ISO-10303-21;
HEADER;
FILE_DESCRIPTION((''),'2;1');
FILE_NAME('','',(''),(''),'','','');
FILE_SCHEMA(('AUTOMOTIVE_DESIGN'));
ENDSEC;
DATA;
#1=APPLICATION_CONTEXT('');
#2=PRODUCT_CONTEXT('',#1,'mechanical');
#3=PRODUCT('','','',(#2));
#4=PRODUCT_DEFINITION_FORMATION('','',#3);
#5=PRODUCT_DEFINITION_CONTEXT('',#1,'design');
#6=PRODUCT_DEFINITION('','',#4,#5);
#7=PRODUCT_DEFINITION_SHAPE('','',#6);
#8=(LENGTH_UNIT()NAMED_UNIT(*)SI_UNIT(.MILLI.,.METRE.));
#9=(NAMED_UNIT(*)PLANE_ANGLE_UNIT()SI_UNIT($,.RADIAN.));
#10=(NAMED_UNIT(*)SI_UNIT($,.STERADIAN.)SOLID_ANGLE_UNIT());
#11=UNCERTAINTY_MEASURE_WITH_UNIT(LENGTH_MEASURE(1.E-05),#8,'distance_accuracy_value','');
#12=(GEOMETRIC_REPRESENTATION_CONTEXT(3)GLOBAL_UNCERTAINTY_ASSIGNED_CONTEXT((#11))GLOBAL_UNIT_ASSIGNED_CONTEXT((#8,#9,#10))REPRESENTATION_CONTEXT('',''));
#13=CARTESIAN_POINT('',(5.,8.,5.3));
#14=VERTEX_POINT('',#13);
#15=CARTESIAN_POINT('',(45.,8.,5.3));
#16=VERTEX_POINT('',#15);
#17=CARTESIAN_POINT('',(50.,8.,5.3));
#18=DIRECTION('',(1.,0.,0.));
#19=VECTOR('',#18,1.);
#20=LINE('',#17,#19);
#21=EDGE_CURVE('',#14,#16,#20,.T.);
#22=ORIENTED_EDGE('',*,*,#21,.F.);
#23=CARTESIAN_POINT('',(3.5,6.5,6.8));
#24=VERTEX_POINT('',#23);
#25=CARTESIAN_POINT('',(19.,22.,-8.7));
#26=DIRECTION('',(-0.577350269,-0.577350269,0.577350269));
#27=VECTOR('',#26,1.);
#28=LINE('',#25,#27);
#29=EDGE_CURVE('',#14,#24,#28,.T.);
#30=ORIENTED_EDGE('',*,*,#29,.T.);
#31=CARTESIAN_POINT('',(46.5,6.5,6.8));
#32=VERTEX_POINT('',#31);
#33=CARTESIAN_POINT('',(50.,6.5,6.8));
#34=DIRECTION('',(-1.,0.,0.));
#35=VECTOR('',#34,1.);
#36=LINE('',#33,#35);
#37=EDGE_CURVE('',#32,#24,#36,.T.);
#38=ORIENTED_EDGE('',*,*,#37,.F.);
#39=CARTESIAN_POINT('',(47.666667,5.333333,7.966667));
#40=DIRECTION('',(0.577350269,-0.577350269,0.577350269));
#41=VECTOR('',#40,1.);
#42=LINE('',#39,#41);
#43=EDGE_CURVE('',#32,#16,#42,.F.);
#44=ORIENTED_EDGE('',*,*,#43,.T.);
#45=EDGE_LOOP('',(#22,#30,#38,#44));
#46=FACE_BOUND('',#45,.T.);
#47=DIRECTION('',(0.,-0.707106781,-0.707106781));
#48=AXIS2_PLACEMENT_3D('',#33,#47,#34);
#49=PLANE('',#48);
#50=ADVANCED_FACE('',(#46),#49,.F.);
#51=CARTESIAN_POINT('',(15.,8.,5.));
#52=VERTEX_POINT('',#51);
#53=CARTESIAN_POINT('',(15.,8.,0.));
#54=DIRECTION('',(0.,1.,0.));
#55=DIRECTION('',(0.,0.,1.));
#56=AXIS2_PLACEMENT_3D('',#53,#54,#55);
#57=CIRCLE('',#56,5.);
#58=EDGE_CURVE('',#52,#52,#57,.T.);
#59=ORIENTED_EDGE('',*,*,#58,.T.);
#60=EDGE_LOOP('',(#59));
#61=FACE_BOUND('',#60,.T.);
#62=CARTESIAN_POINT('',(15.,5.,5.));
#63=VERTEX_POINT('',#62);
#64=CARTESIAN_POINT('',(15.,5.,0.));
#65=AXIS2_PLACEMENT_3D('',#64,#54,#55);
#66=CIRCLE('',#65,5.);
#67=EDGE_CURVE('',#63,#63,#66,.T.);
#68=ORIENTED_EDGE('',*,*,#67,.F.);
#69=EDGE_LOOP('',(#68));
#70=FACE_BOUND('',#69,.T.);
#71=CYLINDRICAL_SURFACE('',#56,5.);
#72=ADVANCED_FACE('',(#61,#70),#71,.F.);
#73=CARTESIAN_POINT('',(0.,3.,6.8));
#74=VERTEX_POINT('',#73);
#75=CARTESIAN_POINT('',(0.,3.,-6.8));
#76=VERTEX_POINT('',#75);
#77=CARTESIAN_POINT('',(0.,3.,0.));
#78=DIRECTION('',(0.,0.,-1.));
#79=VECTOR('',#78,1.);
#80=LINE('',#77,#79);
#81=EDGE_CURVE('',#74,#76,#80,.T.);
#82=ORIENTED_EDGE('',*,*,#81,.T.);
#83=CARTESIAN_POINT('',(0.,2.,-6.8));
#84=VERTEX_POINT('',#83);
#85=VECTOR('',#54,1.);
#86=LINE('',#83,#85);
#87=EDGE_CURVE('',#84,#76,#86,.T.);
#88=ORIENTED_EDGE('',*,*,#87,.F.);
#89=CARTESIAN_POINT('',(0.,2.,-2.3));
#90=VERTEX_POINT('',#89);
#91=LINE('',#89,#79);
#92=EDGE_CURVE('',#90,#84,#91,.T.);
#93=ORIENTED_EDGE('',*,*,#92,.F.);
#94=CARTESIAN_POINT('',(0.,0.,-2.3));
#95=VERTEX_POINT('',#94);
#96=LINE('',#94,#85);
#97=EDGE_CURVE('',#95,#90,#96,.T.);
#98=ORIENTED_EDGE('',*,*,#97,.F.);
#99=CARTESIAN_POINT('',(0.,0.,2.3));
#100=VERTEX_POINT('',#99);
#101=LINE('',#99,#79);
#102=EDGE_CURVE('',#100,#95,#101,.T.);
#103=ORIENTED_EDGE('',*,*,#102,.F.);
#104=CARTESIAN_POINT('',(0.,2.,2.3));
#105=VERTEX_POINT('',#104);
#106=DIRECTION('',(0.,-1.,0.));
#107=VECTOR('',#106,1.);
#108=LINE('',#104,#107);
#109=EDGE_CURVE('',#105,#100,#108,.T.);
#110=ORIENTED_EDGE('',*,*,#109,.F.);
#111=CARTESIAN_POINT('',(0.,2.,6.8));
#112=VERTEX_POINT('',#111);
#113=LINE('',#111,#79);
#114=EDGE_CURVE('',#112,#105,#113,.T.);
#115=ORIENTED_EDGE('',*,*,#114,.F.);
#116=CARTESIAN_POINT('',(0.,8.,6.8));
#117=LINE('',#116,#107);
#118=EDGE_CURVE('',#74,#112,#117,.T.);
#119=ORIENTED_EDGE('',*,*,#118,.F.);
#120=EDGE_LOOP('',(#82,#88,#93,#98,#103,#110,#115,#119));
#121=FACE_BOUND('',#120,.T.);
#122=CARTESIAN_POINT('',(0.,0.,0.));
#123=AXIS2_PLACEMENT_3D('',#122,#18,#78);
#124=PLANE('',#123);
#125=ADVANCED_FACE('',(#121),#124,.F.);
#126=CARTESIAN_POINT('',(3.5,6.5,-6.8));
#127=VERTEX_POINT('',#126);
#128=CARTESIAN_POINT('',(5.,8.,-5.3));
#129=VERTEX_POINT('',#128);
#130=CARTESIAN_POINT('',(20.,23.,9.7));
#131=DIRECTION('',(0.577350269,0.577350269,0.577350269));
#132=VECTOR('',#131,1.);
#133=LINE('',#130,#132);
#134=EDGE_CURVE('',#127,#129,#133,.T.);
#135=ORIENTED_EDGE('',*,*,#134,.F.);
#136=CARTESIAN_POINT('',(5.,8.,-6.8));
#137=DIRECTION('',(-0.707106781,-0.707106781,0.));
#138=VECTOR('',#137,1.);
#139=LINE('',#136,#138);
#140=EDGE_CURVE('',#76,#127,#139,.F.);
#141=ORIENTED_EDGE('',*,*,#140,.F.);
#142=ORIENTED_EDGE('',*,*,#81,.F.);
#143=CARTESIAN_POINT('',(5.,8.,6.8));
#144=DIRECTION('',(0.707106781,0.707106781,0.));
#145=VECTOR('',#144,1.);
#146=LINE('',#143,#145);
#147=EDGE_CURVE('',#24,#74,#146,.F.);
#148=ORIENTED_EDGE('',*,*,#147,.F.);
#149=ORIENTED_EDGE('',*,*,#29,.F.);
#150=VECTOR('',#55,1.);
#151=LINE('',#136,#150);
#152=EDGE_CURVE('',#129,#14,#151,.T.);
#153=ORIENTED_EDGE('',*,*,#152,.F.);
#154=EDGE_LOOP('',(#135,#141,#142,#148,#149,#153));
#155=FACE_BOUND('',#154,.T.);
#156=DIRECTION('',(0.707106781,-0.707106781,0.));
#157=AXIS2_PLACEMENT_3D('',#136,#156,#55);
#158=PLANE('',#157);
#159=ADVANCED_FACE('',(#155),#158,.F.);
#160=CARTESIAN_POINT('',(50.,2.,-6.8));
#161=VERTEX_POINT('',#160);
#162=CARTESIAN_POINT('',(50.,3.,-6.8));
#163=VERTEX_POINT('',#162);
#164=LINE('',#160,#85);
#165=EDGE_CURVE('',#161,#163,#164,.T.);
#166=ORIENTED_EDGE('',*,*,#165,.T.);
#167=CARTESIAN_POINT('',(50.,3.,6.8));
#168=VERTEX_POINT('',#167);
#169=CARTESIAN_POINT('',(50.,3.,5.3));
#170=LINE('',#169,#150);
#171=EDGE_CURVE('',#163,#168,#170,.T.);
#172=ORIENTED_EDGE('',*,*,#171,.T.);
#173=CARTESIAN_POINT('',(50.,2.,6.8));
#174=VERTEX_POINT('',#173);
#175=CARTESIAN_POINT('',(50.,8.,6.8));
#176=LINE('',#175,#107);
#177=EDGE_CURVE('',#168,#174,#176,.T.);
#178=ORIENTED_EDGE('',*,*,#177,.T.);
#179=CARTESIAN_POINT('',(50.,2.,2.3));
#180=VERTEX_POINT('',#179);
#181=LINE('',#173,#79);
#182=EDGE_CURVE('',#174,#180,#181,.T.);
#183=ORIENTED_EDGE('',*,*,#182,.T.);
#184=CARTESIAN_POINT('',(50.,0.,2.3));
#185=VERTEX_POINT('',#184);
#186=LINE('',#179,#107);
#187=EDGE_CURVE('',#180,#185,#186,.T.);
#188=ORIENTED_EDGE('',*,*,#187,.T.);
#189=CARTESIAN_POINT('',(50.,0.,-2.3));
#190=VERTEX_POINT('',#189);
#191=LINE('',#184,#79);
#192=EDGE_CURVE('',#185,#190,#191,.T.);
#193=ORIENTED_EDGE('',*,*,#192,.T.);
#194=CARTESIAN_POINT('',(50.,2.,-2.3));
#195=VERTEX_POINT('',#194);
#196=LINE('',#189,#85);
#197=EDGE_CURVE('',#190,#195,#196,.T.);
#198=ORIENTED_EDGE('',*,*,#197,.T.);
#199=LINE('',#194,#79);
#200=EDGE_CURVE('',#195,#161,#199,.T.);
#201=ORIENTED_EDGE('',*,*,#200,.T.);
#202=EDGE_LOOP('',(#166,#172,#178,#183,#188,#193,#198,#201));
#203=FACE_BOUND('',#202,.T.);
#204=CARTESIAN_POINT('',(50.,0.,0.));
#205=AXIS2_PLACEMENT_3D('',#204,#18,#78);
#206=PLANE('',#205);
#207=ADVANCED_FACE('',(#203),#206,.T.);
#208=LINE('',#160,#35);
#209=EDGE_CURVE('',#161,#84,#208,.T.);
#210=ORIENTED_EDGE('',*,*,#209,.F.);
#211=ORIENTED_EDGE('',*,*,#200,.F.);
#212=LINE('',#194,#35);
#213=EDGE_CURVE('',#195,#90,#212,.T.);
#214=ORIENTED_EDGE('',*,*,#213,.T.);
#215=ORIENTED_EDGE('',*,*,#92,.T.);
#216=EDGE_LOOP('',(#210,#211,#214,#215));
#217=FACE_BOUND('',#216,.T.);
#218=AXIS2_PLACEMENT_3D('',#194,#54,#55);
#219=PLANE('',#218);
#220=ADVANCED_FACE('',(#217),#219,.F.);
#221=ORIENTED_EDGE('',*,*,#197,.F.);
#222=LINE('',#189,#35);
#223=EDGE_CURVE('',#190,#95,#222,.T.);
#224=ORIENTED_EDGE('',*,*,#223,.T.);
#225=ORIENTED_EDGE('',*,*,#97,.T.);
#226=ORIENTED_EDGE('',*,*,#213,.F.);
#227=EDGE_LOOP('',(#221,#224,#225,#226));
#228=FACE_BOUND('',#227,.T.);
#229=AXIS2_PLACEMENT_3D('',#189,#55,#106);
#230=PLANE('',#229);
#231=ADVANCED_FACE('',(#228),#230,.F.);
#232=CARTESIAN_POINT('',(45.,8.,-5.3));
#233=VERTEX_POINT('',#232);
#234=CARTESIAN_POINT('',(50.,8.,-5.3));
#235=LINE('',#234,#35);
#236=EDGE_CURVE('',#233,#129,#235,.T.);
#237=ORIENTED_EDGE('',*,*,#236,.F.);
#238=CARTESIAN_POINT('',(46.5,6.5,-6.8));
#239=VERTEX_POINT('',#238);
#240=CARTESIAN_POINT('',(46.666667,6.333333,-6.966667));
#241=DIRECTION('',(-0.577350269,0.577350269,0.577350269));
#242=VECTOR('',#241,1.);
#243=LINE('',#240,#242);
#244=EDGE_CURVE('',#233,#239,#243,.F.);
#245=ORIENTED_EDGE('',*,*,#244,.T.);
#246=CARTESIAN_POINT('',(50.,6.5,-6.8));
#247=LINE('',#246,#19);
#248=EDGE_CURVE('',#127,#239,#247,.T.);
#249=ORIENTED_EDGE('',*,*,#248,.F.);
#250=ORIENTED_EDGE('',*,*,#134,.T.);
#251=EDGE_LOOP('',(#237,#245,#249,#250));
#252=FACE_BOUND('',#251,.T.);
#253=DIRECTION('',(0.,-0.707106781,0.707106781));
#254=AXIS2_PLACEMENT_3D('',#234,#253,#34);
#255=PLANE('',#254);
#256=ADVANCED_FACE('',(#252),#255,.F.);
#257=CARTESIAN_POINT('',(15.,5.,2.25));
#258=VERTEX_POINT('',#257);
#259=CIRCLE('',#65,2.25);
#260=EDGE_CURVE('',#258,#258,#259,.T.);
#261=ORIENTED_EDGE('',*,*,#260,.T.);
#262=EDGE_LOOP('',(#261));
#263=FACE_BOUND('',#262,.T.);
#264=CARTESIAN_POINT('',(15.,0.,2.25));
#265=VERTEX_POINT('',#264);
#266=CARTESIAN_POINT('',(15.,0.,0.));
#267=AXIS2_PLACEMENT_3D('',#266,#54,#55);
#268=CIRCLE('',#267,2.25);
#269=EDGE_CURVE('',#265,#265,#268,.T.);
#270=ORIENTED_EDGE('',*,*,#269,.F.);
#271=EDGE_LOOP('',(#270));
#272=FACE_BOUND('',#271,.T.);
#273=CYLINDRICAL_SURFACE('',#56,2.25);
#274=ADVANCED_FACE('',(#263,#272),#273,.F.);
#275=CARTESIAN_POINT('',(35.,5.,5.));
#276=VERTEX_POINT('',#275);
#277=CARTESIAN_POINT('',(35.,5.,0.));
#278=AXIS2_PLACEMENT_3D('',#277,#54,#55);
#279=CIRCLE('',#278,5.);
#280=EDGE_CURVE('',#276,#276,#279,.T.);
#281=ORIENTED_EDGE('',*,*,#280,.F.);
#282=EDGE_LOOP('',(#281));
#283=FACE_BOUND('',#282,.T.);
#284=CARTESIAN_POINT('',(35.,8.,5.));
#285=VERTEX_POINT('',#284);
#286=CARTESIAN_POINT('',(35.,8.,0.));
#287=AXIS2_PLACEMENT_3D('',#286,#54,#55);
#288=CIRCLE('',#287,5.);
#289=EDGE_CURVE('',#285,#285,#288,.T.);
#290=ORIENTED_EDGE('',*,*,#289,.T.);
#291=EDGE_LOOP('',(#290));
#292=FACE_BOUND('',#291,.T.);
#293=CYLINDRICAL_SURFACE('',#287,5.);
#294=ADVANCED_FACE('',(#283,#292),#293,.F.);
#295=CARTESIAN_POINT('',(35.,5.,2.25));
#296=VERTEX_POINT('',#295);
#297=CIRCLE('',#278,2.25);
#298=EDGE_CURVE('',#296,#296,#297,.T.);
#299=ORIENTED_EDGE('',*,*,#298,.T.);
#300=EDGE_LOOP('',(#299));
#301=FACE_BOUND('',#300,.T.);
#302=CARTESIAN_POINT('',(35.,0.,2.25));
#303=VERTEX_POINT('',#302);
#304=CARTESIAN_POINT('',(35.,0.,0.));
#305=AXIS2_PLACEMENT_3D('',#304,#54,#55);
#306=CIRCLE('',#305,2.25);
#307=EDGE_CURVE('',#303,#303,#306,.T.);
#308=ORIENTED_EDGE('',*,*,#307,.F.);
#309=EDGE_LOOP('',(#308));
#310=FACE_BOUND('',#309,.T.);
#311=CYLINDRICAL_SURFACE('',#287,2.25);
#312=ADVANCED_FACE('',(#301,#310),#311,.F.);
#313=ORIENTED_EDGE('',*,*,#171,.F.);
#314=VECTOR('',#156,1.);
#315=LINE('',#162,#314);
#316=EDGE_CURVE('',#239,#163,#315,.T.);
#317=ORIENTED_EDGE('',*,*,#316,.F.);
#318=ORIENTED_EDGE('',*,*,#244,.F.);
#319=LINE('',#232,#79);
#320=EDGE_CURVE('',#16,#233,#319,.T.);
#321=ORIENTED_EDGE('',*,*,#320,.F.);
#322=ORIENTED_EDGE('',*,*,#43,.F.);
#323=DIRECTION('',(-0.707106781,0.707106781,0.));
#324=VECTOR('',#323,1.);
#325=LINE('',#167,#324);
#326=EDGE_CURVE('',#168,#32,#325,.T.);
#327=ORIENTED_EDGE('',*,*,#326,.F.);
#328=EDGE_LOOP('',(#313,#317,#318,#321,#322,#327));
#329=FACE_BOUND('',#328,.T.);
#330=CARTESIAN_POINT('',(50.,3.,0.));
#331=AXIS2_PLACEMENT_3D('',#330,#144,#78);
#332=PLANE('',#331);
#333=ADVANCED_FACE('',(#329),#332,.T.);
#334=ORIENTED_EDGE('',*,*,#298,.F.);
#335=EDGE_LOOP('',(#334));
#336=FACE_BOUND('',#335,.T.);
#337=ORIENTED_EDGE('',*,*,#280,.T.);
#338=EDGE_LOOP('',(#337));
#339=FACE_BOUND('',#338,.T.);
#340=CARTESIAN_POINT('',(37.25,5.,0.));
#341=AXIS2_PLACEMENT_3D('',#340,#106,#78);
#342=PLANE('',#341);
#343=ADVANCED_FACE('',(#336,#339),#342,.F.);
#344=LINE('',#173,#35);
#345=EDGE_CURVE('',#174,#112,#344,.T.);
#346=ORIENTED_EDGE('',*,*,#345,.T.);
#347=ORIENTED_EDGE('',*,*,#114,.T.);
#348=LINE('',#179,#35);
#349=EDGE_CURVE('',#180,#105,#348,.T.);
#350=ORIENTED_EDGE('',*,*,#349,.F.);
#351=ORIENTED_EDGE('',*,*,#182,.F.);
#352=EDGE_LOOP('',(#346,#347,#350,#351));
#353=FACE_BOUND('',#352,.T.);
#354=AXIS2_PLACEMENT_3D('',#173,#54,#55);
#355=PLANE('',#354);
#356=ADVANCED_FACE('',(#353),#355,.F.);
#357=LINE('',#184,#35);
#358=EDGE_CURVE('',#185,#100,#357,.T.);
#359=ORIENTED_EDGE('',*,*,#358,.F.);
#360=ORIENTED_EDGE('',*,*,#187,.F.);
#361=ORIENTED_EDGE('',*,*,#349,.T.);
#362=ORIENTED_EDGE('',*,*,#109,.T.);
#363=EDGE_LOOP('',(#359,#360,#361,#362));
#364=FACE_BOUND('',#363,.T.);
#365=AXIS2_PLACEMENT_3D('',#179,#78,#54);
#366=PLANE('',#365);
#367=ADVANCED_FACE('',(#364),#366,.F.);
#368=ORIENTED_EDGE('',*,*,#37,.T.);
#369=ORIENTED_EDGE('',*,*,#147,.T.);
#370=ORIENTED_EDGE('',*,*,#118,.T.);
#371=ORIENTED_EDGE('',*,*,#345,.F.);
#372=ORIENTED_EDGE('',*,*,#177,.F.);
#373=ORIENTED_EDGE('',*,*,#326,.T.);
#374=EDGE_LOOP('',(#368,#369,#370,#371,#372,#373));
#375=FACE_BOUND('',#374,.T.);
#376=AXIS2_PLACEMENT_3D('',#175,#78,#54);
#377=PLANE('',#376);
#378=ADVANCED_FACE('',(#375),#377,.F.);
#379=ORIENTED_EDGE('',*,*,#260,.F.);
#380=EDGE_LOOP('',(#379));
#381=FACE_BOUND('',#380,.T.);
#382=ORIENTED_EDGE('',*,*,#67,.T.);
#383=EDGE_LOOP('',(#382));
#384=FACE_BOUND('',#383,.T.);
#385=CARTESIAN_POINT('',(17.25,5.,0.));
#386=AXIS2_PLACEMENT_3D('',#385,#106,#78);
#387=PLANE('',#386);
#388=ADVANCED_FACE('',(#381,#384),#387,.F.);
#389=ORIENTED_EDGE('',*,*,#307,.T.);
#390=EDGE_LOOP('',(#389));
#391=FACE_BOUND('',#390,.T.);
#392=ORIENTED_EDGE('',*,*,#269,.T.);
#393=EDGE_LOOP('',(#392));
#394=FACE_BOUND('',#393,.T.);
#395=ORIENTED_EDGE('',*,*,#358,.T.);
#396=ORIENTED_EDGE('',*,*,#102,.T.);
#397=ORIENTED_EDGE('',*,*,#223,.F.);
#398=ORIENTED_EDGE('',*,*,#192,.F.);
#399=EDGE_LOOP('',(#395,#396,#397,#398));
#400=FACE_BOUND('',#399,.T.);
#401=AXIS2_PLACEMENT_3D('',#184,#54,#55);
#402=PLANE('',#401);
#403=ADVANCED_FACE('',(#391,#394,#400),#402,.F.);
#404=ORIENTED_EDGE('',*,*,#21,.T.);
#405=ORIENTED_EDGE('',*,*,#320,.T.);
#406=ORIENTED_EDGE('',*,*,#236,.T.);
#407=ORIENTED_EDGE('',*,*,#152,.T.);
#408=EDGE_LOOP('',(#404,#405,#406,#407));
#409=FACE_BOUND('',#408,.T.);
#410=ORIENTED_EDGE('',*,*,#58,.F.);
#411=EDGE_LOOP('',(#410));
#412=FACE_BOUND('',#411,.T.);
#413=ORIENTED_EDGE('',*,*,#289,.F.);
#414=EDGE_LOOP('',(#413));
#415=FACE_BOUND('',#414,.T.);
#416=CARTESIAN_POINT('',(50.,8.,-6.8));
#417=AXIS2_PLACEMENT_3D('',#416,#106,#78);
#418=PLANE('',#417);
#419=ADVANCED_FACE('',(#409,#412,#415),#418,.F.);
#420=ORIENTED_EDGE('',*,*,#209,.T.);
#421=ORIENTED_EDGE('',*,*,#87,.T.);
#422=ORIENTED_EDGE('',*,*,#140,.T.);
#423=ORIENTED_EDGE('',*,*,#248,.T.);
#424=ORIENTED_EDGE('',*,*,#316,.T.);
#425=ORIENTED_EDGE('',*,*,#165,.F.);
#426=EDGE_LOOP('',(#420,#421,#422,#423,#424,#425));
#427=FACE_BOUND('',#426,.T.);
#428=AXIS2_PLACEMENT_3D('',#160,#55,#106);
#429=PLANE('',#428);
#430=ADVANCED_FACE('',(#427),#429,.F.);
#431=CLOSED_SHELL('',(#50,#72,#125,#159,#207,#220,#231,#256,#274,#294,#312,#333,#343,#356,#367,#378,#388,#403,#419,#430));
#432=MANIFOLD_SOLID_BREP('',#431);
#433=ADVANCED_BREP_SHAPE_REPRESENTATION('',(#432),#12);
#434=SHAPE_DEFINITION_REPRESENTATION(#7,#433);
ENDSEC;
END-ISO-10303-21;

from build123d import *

# Parameters (mm, degrees)
ESTRUSIONE_ESTRUSIONE1_DEPTH                         = 50
SMUSSO1_SIZE                                         = 1.5
SMUSSO2_SIZE                                         = 5
FORO_LAMATO_PER_BULLONE_M5_A_TESTA_ESAGO_D           = 4.5
FORO_LAMATO_PER_BULLONE_M5_A_TESTA_ESAGO_DEPTH       = 70
FORO_LAMATO_PER_BULLONE_M5_A_TESTA_ESAGO_CBORE_D     = 10
FORO_LAMATO_PER_BULLONE_M5_A_TESTA_ESAGO_CBORE_DEPTH = 3
FORO_LAMATO_PER_BULLONE_M5_A_TESTA_ESAGO_TIP         = 1.351936393


with BuildPart() as part:
    # Schizzo1 → Estrusione-Estrusione1 (new body)
    with BuildSketch(Plane(origin=(0, 0, 0), x_dir=(0, 0, -1), z_dir=(1, 0, 0))):
        Polygon((-2.3, 0), (2.3, 0), (2.3, 2), (6.8, 2), (6.8, 8), (-6.8, 8), (-6.8, 2), (-2.3, 2), align=None)
    extrude(amount=ESTRUSIONE_ESTRUSIONE1_DEPTH)

    # Smusso1
    smusso1_edges = [part.edges().sort_by_distance(p)[0] for p in [
        (25, 8, 6.8),
        (25, 8, -6.8),
    ]]
    chamfer(smusso1_edges, length=SMUSSO1_SIZE)

    # Smusso2
    smusso2_edges = [part.edges().sort_by_distance(p)[0] for p in [
        (50, 8, 0),
        (0, 8, 0),
    ]]
    chamfer(smusso2_edges, length=SMUSSO2_SIZE)

    # Foro lamato per Bullone M5 a testa esagonale-1
    with Locations(Plane(origin=(0, 8, 0), x_dir=(1, 0, 0), z_dir=(0, 1, 0))):
        with Locations((15, 0), (35, 0)):
            CounterBoreHole(FORO_LAMATO_PER_BULLONE_M5_A_TESTA_ESAGO_D / 2, FORO_LAMATO_PER_BULLONE_M5_A_TESTA_ESAGO_CBORE_D / 2, FORO_LAMATO_PER_BULLONE_M5_A_TESTA_ESAGO_CBORE_DEPTH, depth=FORO_LAMATO_PER_BULLONE_M5_A_TESTA_ESAGO_DEPTH)
            with Locations((0, 0, -(FORO_LAMATO_PER_BULLONE_M5_A_TESTA_ESAGO_DEPTH + FORO_LAMATO_PER_BULLONE_M5_A_TESTA_ESAGO_TIP / 2))):  # 118° drill point
                Cone(0, FORO_LAMATO_PER_BULLONE_M5_A_TESTA_ESAGO_D / 2, FORO_LAMATO_PER_BULLONE_M5_A_TESTA_ESAGO_TIP, mode=Mode.SUBTRACT)


solid = part.part
